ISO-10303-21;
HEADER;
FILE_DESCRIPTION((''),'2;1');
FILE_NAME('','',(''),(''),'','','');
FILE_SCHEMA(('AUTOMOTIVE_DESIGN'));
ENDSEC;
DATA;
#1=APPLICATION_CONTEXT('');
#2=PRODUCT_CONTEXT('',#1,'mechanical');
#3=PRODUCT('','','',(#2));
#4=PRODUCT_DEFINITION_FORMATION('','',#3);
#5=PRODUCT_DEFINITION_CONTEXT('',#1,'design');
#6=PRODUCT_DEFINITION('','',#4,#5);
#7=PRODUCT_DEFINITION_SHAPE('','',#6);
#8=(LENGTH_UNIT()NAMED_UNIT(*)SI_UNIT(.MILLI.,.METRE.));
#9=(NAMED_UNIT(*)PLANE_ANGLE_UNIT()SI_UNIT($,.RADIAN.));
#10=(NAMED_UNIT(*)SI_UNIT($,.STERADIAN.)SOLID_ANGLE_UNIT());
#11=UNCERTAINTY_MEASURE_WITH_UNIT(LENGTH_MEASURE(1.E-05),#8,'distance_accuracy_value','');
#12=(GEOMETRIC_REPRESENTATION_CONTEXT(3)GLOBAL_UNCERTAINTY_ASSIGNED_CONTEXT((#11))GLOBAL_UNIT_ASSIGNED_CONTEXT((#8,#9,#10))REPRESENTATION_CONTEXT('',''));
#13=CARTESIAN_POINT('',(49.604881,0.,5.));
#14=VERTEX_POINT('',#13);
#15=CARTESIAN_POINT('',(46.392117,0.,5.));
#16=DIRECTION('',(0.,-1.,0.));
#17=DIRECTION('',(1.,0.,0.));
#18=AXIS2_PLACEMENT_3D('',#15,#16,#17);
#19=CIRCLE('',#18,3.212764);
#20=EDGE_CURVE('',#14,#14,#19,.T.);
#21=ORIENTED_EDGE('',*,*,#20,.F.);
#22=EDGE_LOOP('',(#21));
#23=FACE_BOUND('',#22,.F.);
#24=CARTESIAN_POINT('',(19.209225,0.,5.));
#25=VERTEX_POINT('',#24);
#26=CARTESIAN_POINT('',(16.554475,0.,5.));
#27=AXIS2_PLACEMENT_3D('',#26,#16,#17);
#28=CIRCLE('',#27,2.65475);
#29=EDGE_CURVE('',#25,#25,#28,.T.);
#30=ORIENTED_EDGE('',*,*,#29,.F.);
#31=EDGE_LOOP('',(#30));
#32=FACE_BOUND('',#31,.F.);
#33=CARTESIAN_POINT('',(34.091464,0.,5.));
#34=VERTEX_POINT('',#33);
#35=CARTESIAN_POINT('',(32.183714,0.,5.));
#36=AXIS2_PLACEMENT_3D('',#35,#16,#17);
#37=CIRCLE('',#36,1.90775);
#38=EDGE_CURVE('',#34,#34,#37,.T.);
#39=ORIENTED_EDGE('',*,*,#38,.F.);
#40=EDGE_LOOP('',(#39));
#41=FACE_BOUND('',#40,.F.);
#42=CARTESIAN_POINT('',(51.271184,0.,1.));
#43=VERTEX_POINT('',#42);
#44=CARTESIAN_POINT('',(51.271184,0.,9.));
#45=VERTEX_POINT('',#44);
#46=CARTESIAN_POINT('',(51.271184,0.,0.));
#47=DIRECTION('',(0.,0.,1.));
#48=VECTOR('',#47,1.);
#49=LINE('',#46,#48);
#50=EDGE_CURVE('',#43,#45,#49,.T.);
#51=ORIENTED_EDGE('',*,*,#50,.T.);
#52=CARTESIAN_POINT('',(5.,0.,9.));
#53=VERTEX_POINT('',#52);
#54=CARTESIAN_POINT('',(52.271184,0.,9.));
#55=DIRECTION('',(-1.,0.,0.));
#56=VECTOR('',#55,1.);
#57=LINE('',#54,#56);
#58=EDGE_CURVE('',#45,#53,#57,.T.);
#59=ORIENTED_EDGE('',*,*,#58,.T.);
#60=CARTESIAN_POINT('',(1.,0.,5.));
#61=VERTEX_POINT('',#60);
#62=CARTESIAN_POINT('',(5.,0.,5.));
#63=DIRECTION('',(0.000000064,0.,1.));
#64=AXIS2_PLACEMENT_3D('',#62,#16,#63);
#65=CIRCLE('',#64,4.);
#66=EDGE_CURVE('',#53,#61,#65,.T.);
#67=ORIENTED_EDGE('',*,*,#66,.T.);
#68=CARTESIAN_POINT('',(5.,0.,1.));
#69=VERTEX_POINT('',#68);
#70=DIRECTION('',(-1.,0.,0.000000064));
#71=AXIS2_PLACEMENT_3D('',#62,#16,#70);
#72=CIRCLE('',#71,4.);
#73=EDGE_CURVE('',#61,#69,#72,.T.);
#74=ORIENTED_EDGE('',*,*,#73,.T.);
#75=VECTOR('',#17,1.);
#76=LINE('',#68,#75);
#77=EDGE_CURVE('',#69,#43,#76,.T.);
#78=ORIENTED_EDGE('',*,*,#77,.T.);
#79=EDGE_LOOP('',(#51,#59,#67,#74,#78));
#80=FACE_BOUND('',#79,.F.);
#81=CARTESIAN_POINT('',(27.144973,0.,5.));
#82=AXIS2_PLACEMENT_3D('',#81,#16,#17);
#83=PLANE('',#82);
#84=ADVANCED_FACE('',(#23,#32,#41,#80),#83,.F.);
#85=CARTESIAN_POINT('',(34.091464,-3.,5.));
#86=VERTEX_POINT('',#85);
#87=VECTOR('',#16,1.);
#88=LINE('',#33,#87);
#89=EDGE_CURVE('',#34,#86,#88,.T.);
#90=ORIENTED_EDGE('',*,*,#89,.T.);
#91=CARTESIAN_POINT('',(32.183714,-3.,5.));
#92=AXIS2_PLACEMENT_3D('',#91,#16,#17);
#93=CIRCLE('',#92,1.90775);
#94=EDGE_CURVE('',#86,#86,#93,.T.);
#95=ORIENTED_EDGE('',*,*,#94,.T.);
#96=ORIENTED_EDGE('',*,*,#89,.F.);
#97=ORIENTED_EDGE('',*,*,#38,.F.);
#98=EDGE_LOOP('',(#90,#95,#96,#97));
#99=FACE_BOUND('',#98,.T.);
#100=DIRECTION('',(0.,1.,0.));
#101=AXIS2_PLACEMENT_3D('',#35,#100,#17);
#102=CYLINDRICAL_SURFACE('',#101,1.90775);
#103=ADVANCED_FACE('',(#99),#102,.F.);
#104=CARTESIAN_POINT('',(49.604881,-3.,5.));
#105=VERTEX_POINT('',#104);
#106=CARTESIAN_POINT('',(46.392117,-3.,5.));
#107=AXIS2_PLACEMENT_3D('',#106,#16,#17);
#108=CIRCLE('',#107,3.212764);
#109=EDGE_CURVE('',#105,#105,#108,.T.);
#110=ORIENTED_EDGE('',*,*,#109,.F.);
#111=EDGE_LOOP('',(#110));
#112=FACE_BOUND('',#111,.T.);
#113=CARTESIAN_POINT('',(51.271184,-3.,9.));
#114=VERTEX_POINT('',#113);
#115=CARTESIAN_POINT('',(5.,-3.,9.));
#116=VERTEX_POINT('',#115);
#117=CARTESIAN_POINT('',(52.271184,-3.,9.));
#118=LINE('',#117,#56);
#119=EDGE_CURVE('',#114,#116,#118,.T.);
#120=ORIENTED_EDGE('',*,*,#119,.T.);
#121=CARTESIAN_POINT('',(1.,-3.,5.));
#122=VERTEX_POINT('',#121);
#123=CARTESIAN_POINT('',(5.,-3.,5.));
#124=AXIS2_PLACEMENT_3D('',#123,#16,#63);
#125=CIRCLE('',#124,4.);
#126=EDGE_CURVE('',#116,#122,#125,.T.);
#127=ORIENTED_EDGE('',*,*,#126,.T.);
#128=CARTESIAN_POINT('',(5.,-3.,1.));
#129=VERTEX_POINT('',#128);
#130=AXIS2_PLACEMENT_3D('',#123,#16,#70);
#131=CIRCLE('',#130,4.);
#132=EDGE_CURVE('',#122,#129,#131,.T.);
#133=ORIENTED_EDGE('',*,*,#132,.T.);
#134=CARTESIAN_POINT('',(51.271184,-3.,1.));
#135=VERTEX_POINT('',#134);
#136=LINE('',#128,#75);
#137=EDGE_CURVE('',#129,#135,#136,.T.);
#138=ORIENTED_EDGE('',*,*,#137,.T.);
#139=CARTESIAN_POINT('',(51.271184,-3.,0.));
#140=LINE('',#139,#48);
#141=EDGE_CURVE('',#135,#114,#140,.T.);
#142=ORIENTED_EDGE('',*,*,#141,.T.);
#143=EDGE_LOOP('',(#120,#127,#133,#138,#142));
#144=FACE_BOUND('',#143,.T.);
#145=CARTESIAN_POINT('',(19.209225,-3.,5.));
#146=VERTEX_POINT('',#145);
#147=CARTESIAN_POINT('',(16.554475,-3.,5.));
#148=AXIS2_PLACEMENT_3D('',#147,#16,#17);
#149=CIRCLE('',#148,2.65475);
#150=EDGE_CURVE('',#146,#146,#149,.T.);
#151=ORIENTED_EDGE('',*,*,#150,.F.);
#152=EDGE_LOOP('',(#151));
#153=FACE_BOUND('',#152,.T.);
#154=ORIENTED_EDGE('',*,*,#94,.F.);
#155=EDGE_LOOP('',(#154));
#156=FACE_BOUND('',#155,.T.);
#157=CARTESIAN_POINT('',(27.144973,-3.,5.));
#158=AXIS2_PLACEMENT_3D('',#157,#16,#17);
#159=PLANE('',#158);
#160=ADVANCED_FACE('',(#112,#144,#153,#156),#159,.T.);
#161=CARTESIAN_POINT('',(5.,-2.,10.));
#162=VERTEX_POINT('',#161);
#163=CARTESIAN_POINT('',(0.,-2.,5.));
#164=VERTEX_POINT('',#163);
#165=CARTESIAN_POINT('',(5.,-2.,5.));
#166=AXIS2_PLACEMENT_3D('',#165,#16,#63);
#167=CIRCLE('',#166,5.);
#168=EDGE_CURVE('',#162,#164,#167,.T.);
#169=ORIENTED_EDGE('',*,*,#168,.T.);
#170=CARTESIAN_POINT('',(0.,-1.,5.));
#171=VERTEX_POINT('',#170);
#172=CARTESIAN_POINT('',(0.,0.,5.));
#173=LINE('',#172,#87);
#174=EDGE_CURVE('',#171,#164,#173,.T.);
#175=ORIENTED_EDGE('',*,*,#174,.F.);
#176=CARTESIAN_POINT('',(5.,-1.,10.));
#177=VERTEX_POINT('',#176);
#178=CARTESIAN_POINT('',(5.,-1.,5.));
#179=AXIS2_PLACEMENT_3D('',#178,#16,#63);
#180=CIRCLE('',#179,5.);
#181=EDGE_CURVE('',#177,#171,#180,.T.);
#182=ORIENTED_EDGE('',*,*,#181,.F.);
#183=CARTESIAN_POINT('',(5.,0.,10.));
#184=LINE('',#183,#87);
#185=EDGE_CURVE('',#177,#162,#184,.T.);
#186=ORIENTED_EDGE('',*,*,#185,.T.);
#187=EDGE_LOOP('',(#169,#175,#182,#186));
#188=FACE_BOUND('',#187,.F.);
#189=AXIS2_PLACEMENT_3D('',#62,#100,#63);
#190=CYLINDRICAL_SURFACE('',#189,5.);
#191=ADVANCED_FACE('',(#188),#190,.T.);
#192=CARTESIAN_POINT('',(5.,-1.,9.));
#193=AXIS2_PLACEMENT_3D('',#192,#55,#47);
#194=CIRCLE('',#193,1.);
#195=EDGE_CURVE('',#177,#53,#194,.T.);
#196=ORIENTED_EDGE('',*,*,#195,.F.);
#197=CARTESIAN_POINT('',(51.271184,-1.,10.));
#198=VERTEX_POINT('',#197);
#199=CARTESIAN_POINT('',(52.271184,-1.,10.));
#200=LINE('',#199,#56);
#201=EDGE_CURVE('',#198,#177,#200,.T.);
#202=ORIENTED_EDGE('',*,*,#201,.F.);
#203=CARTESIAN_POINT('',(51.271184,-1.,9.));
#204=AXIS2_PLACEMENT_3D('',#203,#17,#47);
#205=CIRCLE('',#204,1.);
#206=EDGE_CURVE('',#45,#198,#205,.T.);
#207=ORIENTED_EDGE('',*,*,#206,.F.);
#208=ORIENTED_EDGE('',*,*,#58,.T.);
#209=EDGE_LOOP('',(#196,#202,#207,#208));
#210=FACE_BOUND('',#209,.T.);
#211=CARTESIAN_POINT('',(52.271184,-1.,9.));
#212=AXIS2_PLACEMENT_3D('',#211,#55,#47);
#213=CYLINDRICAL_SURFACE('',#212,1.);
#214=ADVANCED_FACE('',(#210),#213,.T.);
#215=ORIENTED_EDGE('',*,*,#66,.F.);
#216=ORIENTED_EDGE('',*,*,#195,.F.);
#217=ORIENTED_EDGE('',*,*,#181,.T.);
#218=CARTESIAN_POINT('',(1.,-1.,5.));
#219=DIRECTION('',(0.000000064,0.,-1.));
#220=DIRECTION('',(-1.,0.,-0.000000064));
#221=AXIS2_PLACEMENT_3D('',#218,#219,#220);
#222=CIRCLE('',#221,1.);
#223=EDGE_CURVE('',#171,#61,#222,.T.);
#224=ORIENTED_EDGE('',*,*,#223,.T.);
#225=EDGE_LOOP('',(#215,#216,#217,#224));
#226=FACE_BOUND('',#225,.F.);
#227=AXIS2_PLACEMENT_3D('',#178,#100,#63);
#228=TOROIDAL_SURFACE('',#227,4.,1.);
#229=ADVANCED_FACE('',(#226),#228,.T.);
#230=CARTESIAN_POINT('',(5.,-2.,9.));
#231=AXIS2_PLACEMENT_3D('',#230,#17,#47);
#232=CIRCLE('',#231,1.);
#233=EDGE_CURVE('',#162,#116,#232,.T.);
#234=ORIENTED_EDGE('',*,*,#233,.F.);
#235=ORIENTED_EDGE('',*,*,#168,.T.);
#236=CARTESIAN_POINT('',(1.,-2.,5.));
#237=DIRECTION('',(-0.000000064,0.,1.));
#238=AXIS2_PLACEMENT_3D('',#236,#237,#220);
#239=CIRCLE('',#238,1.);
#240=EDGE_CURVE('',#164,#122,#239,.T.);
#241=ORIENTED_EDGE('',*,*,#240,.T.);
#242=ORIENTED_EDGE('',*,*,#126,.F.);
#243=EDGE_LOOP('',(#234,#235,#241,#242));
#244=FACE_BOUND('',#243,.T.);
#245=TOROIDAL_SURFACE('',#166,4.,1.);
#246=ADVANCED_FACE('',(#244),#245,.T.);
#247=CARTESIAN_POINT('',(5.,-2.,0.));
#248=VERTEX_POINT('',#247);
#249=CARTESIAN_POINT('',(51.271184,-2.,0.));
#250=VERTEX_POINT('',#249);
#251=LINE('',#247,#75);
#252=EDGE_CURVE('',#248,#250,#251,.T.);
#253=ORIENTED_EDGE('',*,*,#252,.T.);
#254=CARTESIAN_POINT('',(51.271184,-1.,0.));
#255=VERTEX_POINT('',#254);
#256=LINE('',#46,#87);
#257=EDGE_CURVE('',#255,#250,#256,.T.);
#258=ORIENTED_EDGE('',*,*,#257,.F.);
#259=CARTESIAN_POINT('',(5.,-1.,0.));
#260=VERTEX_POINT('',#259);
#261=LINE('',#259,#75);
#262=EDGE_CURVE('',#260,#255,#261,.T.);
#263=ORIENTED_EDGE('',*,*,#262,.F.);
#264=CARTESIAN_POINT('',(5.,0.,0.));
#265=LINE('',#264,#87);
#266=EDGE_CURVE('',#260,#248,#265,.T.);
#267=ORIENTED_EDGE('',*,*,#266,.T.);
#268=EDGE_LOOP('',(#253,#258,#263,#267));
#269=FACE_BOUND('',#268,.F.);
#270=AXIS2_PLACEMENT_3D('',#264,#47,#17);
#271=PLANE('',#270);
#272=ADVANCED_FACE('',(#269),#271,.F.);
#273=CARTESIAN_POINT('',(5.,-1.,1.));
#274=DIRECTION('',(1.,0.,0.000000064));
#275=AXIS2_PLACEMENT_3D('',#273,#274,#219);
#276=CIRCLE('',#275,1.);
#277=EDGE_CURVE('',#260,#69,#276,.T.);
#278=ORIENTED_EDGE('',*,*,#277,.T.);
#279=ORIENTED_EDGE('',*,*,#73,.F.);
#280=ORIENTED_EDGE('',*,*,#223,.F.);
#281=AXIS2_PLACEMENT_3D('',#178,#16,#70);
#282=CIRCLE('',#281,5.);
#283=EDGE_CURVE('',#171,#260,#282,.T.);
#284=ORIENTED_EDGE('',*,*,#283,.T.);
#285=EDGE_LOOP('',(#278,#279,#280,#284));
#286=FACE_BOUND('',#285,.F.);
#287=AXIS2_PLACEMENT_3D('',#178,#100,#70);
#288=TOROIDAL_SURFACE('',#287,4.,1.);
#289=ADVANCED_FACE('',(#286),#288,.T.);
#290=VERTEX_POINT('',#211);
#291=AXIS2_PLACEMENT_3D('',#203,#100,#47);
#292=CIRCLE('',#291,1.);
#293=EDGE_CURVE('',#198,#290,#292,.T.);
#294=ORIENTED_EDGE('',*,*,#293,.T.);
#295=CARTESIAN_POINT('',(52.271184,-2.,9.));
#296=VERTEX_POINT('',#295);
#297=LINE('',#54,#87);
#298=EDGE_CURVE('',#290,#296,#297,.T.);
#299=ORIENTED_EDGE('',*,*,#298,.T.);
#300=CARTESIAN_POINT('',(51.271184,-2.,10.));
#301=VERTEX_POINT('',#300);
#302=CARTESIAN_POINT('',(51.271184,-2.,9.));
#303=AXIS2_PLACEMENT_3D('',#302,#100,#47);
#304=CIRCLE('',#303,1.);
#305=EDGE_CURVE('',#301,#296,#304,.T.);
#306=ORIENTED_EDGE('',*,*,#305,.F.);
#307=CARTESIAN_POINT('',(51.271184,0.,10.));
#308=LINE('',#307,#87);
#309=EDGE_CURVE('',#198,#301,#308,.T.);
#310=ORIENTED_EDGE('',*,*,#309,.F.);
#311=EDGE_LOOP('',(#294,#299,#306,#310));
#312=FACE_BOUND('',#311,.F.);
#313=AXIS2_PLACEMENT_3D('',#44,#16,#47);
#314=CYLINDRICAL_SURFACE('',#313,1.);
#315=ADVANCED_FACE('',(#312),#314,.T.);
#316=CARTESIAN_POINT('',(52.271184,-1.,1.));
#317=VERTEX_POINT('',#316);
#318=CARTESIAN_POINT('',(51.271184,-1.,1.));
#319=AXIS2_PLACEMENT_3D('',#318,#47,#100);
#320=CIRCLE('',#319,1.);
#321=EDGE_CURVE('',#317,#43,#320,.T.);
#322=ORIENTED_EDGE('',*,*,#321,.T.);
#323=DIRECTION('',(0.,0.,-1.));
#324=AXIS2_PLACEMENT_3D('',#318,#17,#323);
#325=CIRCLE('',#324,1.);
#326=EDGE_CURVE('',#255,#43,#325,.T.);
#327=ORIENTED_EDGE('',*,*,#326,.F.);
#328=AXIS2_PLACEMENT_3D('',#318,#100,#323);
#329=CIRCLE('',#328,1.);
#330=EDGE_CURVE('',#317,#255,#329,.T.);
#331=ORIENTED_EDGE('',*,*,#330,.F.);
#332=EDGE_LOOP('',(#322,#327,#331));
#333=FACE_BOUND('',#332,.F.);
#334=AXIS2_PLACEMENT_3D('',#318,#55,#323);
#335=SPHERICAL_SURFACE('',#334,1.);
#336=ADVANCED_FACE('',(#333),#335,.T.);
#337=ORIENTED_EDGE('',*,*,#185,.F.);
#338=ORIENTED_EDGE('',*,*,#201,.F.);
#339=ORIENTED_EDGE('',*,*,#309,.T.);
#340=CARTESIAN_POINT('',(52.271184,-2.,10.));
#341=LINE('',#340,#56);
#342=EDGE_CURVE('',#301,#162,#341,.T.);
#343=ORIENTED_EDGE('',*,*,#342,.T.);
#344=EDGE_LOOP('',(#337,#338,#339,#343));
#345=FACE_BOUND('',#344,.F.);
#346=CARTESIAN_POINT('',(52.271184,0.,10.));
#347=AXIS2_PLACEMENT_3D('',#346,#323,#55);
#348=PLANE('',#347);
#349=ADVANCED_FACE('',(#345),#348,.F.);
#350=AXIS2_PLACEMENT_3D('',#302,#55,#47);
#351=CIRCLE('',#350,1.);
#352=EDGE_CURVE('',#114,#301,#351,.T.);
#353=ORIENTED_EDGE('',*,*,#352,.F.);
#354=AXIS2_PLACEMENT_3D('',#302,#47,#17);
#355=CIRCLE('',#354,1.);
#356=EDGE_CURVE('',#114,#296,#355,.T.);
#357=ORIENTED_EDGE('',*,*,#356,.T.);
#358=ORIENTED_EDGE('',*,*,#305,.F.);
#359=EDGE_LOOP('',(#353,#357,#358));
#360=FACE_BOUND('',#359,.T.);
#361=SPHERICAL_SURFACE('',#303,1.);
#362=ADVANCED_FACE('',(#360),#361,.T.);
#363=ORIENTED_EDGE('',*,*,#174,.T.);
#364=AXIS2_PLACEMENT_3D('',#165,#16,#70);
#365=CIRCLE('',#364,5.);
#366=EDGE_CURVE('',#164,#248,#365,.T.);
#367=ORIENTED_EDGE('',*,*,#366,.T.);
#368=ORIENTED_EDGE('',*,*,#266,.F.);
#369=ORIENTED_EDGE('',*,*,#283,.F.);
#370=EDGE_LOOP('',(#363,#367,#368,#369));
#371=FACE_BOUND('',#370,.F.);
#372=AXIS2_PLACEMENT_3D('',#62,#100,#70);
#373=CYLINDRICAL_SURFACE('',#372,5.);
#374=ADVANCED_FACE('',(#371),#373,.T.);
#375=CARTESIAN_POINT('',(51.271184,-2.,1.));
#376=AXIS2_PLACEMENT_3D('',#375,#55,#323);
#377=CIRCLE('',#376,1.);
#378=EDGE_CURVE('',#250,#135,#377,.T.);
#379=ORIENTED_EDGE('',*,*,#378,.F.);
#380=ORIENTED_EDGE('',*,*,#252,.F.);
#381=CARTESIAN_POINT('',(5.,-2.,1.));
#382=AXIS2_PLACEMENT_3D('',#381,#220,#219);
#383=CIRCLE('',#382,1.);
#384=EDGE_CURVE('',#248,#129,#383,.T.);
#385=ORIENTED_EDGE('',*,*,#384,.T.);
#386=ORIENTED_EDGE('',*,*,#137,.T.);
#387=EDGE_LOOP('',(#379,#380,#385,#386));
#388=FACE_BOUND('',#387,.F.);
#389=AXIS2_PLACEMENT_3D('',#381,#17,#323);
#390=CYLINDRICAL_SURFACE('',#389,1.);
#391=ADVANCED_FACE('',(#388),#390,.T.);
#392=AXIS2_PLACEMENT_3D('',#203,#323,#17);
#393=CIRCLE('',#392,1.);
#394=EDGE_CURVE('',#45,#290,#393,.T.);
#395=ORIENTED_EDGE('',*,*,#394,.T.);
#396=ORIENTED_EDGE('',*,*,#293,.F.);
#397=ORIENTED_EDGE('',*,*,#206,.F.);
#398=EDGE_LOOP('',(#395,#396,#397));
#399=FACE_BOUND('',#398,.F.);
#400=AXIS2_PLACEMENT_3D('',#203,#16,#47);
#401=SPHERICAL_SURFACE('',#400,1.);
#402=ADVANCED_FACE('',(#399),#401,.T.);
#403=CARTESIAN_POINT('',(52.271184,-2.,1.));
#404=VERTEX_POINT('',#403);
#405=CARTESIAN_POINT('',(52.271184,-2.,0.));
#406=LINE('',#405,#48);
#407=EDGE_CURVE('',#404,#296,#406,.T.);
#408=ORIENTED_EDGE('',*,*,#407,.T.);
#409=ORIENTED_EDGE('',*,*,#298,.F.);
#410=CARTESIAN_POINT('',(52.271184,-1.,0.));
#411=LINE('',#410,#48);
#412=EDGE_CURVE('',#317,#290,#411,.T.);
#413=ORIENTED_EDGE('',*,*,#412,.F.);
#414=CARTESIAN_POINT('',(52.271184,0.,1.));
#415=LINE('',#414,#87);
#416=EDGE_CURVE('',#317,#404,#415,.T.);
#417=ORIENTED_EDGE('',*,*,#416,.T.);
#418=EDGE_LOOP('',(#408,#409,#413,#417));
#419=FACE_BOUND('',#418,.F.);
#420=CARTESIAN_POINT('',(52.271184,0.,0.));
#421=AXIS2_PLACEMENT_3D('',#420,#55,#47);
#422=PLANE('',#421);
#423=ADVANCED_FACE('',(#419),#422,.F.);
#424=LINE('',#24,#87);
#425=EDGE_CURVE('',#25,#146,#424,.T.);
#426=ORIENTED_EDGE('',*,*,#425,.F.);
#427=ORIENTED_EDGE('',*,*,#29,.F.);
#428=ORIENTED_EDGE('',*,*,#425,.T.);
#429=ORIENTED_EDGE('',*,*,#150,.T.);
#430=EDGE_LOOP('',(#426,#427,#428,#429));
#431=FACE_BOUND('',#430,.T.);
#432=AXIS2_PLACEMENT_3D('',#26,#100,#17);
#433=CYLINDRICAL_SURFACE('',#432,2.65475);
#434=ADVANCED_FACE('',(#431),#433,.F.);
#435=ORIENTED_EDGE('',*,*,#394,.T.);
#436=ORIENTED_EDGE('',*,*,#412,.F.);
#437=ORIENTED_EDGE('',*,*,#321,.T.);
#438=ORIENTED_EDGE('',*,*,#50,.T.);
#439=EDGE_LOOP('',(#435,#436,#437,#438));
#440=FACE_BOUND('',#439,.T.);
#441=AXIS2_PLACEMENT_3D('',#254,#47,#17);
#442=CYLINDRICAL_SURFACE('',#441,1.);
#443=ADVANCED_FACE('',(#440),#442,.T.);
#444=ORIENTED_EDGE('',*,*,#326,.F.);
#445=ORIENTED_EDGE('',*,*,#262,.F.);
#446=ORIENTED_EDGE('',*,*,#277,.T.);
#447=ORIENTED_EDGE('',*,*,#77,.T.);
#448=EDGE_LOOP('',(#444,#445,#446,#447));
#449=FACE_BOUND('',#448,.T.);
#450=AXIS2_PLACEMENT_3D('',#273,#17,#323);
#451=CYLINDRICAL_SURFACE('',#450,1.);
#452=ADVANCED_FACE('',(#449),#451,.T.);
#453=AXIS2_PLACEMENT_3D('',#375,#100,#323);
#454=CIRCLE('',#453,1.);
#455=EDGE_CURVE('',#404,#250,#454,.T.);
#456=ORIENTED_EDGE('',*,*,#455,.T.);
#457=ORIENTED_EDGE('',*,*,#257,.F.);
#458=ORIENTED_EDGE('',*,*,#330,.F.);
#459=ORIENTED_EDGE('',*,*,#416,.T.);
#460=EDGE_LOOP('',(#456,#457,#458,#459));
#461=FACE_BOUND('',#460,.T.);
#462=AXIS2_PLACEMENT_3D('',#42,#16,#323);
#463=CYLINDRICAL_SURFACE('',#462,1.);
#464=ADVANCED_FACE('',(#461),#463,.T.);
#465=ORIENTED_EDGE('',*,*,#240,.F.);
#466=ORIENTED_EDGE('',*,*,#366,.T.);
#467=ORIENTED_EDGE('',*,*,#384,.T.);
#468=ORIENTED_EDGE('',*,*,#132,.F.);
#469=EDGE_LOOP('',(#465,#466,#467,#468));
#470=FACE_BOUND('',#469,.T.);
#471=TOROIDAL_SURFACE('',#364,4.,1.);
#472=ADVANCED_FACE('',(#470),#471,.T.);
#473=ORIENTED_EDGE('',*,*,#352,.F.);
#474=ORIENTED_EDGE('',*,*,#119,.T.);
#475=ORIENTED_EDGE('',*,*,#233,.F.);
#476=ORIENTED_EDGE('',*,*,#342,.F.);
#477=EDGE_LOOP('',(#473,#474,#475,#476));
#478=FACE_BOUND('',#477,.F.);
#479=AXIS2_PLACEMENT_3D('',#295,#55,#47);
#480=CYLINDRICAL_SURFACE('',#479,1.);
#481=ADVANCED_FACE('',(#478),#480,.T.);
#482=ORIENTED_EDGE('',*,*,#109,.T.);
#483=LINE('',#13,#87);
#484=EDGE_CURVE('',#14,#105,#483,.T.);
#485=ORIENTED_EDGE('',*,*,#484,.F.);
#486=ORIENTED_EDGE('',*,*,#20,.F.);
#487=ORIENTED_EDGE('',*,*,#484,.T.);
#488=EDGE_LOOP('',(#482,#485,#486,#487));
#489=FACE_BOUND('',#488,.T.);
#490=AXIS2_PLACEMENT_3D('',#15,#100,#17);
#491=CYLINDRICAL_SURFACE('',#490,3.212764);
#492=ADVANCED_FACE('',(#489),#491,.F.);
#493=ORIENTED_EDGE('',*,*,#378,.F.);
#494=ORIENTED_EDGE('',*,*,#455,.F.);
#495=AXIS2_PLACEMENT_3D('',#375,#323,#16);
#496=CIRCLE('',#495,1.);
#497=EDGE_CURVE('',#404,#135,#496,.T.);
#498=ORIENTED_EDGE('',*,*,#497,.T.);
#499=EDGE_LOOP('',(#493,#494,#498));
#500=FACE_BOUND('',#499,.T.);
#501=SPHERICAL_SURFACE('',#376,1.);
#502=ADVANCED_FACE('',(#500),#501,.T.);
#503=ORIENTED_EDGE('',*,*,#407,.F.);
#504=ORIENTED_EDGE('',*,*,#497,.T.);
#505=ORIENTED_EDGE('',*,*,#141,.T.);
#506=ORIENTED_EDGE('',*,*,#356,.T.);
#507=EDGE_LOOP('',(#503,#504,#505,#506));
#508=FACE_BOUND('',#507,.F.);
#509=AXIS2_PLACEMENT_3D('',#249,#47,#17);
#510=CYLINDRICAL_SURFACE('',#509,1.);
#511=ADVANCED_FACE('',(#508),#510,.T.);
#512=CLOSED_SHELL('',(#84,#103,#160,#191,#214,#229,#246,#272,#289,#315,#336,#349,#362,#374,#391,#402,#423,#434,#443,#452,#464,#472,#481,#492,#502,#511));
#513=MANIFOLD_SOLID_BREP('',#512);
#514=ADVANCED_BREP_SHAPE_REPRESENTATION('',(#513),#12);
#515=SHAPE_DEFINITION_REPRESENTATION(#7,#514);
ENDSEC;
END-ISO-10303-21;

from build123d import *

# Parameters (mm, degrees)
F0_R     = 2.65475
F0_R_2   = 1.90775
F0_R_3   = 3.212764
F1_DEPTH = 3
F2_R     = 1


with BuildPart() as f1:
    # F0 (on Front) → F1 (new body)
    with BuildSketch(Plane.XZ):
        with BuildLine():
            ThreePointArc((0, 5), (1.464466, 1.464466), (5, 0))
            Line((5, 0), (52.271184, 0))
            Line((52.271184, 0), (52.271184, 10))
            Line((52.271184, 10), (5, 10))
            ThreePointArc((5, 10), (1.464466, 8.535534), (0, 5))
        make_face()
        with Locations((16.554475, 5)):
            Circle(F0_R, mode=Mode.SUBTRACT)
        with Locations((32.183714, 5)):
            Circle(F0_R_2, mode=Mode.SUBTRACT)
        with Locations((46.392117, 5)):
            Circle(F0_R_3, mode=Mode.SUBTRACT)
    extrude(amount=F1_DEPTH)

    # F2
    f2_edges = [f1.edges().sort_by_distance(p)[0] for p in [
        (52.271184, -1.5, 10),
        (5, -1.5, 10),
        (28.635592, 0, 10),
        (28.635592, -3, 10),
        (52.271184, -1.5, 0),
        (52.271184, 0, 5),
        (52.271184, -3, 5),
    ]]
    fillet(f2_edges, radius=F2_R)


solid = f1.part
